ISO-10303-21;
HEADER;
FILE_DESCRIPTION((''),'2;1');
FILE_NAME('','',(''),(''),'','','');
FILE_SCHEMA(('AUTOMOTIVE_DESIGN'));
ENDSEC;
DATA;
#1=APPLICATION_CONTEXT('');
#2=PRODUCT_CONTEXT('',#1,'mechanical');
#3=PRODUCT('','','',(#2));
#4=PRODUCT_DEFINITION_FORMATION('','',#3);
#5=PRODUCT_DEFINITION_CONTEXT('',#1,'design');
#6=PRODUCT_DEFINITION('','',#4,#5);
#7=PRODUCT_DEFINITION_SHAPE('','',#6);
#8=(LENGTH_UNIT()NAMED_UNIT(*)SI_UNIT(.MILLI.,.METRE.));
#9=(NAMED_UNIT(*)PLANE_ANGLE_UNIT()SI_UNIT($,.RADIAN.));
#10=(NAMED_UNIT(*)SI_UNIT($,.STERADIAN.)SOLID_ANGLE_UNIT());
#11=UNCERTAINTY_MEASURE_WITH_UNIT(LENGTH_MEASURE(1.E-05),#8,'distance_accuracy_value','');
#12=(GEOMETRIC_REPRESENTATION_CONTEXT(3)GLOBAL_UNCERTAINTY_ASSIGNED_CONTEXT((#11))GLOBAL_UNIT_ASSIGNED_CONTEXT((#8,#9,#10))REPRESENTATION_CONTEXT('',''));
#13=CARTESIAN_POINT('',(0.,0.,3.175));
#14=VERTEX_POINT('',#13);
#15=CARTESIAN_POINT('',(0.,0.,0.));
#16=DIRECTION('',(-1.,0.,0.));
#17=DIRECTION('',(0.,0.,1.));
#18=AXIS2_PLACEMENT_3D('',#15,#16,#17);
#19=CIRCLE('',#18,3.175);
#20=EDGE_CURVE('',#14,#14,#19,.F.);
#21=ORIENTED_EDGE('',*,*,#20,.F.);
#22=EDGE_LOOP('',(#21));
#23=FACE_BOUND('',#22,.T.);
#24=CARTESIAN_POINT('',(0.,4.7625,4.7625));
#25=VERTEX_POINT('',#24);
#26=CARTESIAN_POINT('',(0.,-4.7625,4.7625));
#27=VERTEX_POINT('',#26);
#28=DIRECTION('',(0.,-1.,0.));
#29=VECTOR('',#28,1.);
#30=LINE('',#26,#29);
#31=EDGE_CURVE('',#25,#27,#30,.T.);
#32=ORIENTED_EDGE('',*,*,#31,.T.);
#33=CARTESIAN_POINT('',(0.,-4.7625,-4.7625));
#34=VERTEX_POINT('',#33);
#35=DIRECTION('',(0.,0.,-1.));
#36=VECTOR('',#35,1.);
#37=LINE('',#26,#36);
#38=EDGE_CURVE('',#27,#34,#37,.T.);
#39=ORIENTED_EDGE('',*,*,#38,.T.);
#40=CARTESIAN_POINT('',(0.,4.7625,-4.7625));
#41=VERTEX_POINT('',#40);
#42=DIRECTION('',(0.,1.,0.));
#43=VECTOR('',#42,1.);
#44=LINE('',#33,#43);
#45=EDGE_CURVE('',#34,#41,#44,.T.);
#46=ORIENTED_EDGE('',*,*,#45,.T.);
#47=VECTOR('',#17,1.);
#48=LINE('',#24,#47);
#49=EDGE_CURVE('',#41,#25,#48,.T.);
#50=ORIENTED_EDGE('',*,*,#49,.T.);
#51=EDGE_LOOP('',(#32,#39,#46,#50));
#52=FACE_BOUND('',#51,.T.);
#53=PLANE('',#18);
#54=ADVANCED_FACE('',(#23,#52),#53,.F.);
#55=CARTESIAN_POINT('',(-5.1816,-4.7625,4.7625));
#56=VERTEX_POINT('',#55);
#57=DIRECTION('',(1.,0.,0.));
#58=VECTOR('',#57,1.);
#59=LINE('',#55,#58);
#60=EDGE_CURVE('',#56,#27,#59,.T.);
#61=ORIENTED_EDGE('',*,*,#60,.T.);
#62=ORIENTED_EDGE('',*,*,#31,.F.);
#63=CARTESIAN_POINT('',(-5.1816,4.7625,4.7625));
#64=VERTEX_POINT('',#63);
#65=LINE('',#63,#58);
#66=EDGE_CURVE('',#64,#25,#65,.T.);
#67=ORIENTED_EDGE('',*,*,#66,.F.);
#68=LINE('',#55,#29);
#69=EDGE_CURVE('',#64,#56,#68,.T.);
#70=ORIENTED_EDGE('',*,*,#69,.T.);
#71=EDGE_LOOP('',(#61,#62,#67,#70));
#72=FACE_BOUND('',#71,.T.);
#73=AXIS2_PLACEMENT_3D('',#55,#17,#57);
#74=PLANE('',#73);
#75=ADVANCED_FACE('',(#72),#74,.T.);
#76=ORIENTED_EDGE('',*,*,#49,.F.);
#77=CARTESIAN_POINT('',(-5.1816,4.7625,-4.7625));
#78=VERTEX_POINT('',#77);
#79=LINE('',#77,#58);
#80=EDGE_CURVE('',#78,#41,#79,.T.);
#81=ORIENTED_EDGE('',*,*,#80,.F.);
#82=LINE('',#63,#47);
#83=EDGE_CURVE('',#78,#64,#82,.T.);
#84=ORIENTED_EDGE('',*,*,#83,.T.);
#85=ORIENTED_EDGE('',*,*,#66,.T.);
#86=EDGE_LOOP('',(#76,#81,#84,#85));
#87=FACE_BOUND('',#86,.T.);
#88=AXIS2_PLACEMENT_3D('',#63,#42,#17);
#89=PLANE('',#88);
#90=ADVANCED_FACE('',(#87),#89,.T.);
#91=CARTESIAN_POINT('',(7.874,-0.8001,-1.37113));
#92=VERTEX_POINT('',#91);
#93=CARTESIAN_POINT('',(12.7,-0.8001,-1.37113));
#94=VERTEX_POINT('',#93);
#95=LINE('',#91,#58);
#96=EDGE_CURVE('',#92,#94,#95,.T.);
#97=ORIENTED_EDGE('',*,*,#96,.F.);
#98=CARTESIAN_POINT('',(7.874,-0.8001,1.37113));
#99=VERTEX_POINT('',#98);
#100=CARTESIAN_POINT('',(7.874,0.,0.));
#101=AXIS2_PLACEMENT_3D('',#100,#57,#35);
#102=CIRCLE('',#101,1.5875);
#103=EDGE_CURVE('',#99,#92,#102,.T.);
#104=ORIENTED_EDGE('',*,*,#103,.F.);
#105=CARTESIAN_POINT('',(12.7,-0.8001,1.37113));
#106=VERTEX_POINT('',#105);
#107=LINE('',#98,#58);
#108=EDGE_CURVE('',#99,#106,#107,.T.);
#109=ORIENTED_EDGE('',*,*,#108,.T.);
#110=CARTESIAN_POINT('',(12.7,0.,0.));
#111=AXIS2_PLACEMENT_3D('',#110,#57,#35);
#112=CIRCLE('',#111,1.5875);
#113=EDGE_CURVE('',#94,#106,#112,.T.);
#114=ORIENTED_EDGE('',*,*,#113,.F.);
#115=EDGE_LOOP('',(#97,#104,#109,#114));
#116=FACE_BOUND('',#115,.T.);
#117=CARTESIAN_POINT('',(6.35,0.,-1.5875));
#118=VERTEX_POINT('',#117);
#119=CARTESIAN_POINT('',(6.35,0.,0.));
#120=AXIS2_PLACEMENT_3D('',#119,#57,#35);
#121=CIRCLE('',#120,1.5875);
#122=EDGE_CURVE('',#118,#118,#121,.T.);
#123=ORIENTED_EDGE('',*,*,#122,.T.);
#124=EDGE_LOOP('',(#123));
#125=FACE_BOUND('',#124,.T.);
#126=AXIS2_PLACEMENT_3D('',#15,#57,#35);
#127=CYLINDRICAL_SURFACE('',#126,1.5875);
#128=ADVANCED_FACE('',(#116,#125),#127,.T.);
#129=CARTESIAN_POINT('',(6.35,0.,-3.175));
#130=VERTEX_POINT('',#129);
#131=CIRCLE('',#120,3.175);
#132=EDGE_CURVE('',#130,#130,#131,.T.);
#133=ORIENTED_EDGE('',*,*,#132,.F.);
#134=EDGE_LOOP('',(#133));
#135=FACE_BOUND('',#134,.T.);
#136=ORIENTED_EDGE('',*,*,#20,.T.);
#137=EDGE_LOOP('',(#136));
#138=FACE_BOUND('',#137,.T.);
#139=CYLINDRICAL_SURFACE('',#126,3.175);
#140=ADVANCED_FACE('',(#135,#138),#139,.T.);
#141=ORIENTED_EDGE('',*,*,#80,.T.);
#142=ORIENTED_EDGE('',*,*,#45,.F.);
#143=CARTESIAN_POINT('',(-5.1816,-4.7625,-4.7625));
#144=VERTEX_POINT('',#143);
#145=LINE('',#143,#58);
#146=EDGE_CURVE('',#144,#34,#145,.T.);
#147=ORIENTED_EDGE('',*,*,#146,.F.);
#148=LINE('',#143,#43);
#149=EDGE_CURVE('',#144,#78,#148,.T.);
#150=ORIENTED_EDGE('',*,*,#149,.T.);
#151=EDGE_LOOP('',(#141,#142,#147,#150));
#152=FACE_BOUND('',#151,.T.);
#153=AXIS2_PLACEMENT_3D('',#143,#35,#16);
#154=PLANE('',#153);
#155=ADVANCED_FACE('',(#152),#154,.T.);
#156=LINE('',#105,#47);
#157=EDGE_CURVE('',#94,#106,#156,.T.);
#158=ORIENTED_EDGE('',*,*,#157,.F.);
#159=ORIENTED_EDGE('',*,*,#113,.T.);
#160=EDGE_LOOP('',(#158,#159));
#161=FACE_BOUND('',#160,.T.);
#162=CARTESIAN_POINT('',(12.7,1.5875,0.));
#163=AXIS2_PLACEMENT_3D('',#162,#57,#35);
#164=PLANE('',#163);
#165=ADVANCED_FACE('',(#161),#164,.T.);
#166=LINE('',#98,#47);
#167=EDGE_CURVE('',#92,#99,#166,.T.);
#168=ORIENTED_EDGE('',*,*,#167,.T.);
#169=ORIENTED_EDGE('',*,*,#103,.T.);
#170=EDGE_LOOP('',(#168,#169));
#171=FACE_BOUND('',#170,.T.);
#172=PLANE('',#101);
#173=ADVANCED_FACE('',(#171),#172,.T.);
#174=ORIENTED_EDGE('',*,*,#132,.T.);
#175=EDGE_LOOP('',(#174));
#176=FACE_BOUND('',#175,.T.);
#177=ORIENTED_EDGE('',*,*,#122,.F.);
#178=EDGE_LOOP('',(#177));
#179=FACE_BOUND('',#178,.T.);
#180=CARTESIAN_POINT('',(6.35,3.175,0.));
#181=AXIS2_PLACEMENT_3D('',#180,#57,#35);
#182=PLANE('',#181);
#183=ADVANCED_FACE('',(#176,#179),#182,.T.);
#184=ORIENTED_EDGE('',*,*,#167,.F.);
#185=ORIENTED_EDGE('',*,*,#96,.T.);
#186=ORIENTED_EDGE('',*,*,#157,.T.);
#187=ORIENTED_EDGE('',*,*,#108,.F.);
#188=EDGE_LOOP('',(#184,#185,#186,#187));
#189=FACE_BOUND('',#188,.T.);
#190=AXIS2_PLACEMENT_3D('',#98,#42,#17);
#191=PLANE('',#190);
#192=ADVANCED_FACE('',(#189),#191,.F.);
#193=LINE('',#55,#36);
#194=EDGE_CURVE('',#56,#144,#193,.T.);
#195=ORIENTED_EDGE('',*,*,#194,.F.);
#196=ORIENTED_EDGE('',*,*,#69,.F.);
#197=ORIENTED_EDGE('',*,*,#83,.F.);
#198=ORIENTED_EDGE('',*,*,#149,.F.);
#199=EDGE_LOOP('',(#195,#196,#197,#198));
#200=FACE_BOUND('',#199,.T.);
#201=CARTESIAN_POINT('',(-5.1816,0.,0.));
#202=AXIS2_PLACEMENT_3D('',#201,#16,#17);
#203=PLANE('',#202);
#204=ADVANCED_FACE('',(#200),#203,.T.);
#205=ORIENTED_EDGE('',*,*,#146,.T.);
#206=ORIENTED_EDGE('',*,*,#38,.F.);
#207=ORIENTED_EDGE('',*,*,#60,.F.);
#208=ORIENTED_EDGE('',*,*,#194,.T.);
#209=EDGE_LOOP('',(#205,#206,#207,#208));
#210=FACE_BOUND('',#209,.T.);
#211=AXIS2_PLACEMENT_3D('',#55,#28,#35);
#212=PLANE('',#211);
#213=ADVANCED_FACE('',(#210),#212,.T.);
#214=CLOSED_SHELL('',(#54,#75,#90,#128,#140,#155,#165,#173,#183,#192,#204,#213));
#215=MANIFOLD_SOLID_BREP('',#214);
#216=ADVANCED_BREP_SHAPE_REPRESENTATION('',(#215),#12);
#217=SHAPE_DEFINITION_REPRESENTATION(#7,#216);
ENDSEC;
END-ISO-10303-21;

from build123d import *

# Parameters (mm, degrees)
SKETCH2_W           = 9.525
SKETCH2_H           = 9.525
BOSS_EXTRUDE1_DEPTH = 5.1816
CUT_EXTRUDE1_DEPTH  = 4.826


with BuildPart() as part:
    # Sketch1 → Revolve1 (revolve)
    with BuildSketch(Plane.XY, mode=Mode.PRIVATE) as revolve1_sk:
        Polygon((0, 3.175), (6.35, 3.175), (6.35, 1.5875), (12.7, 1.5875), (12.7, 0), (0, 0), align=None)
    revolve(revolve1_sk.sketch.rotate(Axis((0, 0, 0), (-1, 0, 0)), 90), axis=Axis((0, 0, 0), (-1, 0, 0)))

    # Sketch2 → Boss-Extrude1 (add)
    with BuildSketch(Plane(origin=(0, 0, 0), x_dir=(0, 0, -1), z_dir=(1, 0, 0))):
        Rectangle(SKETCH2_W, SKETCH2_H)
    extrude(amount=-BOSS_EXTRUDE1_DEPTH)

    # Sketch4 → Cut-Extrude1 (cut)
    with BuildSketch(Plane(origin=(12.7, 0, 0), x_dir=(0, 0, -1), z_dir=(1, 0, 0))):
        with BuildLine():
            Line((-1.371129549, -0.8001), (1.371129549, -0.8001))
            ThreePointArc((1.371129549, -0.8001), (0, -1.5875), (-1.371129549, -0.8001))
        make_face()
    extrude(amount=-CUT_EXTRUDE1_DEPTH, mode=Mode.SUBTRACT)


solid = part.part
